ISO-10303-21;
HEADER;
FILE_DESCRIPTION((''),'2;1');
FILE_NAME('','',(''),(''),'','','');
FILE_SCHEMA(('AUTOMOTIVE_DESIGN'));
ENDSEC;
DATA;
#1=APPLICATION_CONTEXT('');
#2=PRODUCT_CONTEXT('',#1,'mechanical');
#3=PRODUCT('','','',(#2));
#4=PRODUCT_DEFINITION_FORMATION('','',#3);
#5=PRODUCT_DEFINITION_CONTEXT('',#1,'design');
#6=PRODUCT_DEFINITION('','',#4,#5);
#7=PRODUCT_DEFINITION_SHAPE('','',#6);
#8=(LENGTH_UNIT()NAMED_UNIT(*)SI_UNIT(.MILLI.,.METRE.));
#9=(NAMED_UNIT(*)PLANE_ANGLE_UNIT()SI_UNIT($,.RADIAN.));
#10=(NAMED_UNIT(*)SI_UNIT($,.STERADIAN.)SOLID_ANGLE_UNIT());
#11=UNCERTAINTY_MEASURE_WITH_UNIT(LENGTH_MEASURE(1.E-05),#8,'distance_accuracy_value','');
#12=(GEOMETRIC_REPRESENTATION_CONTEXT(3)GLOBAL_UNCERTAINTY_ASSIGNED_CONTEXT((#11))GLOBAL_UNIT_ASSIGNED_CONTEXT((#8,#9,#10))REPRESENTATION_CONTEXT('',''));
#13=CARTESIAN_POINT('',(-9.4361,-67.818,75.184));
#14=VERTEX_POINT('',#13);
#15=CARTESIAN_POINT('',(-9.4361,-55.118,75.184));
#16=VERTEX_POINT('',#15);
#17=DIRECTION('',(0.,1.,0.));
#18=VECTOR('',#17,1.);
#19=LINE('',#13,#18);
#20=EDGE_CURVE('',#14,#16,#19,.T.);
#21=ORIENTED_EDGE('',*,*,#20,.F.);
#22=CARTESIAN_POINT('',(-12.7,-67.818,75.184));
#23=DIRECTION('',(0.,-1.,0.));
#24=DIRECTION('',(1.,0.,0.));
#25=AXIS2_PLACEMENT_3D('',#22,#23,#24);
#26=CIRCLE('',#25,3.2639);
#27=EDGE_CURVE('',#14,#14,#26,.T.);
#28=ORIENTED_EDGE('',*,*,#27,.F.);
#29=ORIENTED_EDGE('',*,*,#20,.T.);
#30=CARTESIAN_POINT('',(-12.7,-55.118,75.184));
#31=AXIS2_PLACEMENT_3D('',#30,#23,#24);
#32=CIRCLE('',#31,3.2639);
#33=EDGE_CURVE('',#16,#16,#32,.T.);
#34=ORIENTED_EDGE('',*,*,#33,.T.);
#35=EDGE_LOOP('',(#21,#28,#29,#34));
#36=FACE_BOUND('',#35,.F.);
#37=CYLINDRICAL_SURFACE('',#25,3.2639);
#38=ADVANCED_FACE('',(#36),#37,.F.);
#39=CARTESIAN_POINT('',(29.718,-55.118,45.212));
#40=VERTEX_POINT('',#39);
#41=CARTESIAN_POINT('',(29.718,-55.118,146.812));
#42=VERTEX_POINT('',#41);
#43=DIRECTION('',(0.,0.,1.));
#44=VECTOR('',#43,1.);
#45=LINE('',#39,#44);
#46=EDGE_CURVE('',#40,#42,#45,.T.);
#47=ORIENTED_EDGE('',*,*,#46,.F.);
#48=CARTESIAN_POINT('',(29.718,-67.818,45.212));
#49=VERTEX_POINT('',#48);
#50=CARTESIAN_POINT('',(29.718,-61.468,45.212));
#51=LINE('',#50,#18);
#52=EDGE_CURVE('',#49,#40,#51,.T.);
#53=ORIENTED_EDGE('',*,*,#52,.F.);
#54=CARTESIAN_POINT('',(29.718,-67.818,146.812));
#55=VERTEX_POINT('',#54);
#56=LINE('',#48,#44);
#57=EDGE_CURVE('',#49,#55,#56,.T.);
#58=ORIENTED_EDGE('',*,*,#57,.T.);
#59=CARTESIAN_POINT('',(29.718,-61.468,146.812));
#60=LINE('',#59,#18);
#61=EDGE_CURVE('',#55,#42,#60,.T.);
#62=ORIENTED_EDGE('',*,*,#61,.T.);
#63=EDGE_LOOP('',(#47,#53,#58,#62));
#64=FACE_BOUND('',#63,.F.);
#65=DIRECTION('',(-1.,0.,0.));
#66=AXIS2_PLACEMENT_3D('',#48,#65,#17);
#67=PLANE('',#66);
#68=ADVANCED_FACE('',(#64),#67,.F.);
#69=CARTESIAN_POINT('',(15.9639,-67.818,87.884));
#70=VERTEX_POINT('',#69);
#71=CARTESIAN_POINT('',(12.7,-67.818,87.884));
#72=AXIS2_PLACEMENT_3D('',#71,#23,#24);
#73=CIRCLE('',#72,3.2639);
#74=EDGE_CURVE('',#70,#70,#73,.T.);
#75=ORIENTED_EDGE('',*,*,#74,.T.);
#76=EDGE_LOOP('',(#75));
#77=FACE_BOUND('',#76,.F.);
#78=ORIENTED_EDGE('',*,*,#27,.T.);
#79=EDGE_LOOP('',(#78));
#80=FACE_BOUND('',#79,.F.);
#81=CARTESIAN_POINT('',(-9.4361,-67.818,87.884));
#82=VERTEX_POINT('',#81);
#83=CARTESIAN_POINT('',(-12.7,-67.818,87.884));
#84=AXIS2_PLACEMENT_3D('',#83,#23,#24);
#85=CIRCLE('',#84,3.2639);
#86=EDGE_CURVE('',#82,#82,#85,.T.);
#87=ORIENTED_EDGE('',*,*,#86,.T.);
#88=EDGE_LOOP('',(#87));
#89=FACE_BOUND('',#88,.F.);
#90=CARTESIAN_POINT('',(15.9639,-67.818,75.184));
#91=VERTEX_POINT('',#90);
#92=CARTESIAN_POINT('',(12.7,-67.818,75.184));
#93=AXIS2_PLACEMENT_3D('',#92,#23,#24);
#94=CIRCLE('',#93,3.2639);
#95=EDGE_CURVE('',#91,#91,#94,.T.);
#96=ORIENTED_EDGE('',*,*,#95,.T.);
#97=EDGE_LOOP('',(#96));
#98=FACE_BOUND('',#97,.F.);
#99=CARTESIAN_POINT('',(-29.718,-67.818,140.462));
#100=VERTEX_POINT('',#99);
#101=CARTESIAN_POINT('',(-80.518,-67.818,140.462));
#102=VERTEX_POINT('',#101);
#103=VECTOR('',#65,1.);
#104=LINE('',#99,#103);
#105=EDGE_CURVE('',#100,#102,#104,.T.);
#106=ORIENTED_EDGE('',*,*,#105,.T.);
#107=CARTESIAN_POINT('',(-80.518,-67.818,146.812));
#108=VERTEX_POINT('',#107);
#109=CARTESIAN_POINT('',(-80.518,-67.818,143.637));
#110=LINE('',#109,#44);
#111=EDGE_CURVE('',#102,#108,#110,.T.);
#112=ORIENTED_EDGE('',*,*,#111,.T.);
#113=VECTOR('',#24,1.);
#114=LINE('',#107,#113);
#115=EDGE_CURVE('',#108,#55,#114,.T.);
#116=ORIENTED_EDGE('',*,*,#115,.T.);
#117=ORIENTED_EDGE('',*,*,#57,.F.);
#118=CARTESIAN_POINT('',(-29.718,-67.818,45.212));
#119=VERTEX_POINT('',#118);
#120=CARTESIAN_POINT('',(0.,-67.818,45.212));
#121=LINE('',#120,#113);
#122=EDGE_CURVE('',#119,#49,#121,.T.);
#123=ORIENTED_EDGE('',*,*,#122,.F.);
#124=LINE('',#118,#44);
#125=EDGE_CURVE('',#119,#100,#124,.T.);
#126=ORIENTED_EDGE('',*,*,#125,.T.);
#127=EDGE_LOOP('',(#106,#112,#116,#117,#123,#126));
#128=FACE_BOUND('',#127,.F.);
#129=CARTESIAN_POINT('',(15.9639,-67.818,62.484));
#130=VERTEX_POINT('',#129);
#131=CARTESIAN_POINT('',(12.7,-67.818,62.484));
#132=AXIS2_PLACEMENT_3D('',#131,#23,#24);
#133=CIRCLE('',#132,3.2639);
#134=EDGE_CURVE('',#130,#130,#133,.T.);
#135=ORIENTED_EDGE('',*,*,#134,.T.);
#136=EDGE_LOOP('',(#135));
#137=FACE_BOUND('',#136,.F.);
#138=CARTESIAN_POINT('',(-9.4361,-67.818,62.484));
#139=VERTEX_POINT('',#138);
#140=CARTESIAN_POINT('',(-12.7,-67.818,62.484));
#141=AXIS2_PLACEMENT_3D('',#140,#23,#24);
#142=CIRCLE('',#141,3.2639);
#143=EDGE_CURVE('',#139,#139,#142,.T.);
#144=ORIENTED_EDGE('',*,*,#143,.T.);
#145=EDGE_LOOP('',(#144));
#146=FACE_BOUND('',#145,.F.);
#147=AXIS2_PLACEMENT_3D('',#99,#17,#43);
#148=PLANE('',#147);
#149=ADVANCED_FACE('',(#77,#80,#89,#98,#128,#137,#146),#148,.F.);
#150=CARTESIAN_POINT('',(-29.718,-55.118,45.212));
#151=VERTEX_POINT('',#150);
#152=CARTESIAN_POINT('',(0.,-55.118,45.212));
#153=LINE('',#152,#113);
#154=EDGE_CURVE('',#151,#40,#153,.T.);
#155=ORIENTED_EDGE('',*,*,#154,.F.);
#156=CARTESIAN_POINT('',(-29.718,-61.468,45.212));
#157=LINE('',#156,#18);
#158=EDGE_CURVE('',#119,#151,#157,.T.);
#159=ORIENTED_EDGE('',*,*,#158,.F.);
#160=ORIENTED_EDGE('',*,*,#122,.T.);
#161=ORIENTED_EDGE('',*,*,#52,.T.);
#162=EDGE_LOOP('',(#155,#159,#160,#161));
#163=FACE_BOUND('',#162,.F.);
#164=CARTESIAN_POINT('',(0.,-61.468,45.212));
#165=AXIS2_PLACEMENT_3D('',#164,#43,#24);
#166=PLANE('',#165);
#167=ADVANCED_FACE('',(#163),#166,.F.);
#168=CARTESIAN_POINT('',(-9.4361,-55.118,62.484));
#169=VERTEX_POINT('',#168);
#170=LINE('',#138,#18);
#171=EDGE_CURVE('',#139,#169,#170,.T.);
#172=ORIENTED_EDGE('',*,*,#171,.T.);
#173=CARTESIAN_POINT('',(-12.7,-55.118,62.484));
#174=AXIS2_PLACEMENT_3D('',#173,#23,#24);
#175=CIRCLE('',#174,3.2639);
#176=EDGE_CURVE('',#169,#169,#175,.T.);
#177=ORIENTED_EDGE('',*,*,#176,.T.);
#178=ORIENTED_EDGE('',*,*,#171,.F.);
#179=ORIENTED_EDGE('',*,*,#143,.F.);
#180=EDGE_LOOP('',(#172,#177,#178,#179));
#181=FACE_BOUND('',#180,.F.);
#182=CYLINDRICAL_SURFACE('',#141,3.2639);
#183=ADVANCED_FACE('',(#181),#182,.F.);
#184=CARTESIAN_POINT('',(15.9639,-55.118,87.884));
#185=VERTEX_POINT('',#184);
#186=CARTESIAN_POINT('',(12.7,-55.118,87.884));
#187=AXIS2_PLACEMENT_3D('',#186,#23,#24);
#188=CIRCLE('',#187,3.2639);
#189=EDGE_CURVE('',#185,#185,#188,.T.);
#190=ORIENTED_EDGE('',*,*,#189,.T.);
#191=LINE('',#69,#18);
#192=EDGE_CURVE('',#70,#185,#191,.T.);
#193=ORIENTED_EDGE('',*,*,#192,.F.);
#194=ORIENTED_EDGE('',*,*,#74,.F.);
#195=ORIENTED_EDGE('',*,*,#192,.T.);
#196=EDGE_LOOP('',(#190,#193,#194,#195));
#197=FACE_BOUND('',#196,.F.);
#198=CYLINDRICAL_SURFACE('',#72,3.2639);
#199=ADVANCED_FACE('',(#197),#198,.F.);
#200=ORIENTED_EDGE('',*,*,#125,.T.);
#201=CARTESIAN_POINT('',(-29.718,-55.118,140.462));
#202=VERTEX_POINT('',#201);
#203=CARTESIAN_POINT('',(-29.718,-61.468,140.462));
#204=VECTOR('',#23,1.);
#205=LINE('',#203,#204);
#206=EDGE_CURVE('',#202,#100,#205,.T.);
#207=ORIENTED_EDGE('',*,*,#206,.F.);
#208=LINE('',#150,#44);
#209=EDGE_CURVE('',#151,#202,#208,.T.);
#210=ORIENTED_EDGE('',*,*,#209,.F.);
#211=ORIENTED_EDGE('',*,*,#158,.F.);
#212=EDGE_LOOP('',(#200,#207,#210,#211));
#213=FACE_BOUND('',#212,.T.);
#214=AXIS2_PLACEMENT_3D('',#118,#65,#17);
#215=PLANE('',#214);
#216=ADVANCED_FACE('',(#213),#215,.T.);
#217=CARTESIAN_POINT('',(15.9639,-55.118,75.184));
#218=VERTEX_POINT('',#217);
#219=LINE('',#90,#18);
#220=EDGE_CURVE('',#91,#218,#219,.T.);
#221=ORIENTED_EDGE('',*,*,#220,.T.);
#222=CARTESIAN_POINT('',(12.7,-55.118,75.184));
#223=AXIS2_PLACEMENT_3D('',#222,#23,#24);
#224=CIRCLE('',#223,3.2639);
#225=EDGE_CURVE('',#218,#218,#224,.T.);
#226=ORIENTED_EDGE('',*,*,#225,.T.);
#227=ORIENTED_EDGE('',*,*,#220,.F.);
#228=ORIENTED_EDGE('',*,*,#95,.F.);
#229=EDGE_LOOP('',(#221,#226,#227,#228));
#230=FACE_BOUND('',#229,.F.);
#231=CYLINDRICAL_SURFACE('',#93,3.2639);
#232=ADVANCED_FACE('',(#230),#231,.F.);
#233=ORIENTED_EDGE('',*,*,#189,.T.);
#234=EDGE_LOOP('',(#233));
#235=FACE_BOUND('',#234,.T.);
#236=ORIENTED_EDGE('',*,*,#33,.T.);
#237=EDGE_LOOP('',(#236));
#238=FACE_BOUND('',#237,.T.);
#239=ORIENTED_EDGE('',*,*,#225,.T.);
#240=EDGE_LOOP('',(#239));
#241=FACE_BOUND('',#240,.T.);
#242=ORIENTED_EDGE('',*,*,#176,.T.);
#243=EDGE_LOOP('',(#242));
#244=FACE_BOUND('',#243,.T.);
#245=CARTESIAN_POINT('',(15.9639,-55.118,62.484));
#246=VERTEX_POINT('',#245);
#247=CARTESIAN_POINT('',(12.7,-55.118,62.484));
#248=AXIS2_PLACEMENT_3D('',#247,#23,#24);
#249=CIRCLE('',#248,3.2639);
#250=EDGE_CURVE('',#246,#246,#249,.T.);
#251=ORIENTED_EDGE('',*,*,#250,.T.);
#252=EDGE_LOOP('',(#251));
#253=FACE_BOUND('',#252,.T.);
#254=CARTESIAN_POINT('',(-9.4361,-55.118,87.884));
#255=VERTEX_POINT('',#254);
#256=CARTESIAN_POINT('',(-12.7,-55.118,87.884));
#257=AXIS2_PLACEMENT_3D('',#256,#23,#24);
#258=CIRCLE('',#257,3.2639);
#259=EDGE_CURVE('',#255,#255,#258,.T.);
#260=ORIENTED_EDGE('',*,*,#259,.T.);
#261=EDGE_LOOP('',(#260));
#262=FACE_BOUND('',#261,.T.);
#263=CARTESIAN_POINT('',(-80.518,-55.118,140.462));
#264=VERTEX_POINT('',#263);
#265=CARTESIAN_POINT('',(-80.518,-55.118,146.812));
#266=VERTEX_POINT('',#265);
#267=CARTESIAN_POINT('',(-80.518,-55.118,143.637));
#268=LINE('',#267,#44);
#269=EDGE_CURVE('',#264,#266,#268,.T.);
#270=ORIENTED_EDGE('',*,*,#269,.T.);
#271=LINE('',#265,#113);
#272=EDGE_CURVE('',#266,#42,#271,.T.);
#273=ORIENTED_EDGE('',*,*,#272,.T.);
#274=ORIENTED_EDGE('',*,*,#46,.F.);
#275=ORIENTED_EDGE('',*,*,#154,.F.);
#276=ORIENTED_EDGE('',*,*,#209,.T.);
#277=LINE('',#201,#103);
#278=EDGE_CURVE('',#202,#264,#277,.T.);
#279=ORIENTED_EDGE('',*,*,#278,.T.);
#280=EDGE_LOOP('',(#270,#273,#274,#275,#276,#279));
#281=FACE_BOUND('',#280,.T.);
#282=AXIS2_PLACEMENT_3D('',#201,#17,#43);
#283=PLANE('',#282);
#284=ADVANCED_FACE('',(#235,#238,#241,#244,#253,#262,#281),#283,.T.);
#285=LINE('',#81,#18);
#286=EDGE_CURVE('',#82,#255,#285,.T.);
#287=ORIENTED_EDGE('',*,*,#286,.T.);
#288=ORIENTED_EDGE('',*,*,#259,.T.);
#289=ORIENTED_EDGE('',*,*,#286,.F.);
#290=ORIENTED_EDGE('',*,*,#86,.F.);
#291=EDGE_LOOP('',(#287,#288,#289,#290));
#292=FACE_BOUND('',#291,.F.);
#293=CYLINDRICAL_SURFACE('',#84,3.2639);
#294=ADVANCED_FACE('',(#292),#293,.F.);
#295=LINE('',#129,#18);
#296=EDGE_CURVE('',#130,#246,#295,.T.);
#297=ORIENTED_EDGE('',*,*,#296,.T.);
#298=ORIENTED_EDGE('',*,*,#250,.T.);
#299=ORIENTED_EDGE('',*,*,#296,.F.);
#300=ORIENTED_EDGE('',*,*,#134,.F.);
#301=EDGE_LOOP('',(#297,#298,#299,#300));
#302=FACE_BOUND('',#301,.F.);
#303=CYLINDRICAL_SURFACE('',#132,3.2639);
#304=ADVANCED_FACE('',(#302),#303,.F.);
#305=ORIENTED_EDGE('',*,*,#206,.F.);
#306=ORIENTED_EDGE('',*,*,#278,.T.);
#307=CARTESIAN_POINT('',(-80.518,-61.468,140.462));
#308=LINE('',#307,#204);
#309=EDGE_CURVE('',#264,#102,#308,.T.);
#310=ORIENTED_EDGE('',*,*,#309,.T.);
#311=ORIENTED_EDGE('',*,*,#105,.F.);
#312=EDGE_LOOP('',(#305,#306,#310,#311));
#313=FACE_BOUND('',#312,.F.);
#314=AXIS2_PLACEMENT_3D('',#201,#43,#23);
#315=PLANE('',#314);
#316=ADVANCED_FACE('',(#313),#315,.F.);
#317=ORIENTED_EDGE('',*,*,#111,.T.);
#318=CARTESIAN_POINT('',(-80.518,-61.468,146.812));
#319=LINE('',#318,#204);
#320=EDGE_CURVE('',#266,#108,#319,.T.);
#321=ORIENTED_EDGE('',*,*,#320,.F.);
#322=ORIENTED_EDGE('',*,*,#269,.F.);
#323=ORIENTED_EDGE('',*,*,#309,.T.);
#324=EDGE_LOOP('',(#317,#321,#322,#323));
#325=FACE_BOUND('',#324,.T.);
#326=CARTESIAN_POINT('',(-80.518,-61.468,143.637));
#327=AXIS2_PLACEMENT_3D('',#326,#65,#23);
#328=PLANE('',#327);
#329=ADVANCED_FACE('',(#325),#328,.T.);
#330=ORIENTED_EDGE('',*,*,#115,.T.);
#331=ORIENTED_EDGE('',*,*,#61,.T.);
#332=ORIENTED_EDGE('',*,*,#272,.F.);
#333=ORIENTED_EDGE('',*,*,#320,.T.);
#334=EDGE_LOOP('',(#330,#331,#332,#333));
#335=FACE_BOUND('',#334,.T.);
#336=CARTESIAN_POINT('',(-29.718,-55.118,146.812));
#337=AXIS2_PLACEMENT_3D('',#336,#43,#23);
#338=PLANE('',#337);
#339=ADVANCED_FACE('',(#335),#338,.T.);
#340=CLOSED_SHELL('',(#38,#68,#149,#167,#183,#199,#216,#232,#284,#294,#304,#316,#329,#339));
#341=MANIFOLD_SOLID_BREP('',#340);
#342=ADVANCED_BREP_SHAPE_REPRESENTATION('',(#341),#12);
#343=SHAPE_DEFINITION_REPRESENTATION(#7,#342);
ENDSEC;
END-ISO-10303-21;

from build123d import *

# Parameters (mm, degrees)
SKETCH024_W        = 59.436
SKETCH024_H        = 12.7
PAD003003_DEPTH    = 101.6
SKETCH026_R        = 3.2639
POCKET001003_DEPTH = 12.701
SKETCH025_W        = 12.7
SKETCH025_H        = 6.35
PAD003004_DEPTH    = 50.8


with BuildPart() as part:
    # Sketch024 → Pad003003 (new body)
    with BuildSketch(Plane.XY.offset(45.212)):
        with Locations((0, -61.468)):
            Rectangle(SKETCH024_W, SKETCH024_H)
    extrude(amount=PAD003003_DEPTH)

    # Sketch026 (on Face1 of Pad003003) → Pocket001003 (cut, through all)
    with BuildSketch(Plane(origin=(0, -67.818, 45.212), x_dir=(1, 0, 0), z_dir=(0, -1, 0))):
        with Locations((-12.7, 17.272)):
            Circle(SKETCH026_R)
        with Locations((-12.7, 29.972)):
            Circle(SKETCH026_R)
        with Locations((-12.7, 42.672)):
            Circle(SKETCH026_R)
        with Locations((12.7, 17.272)):
            Circle(SKETCH026_R)
        with Locations((12.7, 29.972)):
            Circle(SKETCH026_R)
        with Locations((12.7, 42.672)):
            Circle(SKETCH026_R)
    extrude(amount=-POCKET001003_DEPTH, mode=Mode.SUBTRACT)

    # Sketch025 (on Face5 of Pocket001003) → Pad003004 (join)
    with BuildSketch(Plane(origin=(-29.718, 0, 45.212), x_dir=(0, -1, 0), z_dir=(-1, 0, 0))):
        with Locations((61.468, 98.425)):
            Rectangle(SKETCH025_W, SKETCH025_H)
    extrude(amount=PAD003004_DEPTH)


solid = part.part
